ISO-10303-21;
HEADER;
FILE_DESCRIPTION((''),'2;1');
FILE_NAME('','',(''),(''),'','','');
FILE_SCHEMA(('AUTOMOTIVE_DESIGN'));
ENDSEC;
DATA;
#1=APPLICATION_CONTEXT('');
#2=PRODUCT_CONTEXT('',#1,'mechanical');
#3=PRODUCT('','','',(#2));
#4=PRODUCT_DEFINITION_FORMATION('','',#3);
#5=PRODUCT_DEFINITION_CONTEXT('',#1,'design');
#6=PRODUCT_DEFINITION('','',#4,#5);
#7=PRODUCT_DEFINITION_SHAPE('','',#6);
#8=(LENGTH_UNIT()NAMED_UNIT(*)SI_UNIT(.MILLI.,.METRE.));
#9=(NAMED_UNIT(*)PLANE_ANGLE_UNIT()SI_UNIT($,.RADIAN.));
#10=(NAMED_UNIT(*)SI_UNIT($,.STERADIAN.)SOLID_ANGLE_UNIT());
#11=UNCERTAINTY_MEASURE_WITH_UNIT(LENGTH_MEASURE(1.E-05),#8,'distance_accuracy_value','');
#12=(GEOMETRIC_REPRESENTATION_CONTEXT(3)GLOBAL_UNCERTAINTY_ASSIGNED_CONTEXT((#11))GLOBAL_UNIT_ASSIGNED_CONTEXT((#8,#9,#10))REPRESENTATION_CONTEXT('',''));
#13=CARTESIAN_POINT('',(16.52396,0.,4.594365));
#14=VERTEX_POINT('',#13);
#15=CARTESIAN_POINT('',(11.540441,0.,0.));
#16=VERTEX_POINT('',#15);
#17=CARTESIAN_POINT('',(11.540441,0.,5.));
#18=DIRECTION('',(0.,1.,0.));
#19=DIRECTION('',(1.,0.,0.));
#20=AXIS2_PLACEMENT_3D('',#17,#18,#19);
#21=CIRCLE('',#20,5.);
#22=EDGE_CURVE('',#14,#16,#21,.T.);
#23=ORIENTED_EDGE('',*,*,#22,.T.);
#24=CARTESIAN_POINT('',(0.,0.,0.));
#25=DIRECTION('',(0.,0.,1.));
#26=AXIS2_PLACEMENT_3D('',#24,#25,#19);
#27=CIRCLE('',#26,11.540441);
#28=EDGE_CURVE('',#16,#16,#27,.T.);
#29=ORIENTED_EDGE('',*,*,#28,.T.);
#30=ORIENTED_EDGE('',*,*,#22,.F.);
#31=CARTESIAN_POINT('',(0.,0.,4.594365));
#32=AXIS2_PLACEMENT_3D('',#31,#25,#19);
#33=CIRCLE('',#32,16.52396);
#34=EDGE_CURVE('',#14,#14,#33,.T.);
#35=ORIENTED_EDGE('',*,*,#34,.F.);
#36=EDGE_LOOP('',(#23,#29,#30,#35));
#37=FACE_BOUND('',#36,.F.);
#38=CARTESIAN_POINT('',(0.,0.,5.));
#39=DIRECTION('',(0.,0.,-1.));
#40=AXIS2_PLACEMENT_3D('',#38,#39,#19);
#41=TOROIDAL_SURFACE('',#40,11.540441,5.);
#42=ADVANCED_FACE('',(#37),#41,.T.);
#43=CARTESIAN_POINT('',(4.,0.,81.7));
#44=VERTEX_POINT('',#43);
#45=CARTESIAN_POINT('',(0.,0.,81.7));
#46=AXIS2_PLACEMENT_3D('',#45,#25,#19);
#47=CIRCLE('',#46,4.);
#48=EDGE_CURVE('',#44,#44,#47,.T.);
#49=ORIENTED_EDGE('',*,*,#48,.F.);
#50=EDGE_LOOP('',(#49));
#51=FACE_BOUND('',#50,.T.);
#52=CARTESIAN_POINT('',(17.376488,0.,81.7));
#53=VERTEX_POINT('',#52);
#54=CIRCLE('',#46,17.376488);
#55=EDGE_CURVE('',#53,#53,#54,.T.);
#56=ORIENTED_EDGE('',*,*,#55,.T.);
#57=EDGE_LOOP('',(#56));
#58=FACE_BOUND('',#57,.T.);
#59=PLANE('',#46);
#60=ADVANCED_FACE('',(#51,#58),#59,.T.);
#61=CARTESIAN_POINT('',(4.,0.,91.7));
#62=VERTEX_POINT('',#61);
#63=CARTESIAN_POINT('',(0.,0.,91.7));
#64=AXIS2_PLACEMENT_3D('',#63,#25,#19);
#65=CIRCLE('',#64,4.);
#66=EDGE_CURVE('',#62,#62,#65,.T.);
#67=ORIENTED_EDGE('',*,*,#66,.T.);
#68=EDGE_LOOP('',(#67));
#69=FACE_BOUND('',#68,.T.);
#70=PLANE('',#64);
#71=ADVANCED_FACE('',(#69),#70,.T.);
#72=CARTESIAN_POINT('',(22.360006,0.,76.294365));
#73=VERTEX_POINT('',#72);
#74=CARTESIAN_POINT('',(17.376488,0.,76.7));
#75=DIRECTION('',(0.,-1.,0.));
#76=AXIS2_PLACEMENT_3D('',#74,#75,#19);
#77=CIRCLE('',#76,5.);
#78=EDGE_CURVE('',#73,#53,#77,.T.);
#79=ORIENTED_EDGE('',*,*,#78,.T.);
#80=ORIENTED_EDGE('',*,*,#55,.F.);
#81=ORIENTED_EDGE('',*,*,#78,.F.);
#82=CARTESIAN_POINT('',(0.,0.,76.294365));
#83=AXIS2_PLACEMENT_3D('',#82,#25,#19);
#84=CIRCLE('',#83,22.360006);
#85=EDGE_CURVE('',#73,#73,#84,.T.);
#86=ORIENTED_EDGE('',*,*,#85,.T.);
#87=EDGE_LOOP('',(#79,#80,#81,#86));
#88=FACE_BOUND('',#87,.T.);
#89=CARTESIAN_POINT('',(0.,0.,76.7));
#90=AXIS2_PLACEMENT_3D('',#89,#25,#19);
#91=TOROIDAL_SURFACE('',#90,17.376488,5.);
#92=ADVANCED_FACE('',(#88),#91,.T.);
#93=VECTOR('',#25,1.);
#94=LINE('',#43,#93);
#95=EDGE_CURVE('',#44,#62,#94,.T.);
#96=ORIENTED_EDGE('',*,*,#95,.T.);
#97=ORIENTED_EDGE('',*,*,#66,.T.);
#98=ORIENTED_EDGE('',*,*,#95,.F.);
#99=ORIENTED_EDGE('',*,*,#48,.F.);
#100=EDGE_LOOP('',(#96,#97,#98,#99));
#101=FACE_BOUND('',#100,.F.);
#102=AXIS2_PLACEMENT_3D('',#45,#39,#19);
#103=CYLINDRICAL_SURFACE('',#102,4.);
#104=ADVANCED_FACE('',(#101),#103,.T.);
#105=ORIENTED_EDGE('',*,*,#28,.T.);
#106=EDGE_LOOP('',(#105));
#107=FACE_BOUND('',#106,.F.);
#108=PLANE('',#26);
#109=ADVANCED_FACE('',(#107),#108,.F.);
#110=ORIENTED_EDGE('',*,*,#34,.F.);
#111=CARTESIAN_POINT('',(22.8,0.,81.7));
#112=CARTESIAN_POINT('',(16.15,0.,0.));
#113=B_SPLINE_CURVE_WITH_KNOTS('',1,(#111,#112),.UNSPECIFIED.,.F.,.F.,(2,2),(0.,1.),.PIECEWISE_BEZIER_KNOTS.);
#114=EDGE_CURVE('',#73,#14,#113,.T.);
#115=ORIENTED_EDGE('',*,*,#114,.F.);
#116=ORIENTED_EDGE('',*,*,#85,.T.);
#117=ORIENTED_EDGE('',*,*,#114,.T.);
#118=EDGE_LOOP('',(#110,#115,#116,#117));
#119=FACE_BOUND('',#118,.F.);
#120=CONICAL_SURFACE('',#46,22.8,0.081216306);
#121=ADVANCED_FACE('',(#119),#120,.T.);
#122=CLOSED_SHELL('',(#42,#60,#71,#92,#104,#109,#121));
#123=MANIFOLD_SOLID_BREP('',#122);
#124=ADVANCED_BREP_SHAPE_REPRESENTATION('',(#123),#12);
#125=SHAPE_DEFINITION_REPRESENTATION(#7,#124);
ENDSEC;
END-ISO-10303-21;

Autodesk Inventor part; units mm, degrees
ref_plane "YZ Plane" through (0, 0, 0) normal (1, 0, 0) x (0, 1, 0)
ref_plane "XZ Plane" through (0, 0, 0) normal (0, 1, 0) x (-1, 0, 0)
sketch "スケッチ1" plane through (0, 0, 0) normal (0, 0, 1) x (1, 0, 0)
  circle A0 centre (0, 0) radius 16.15
  dimension "d0" = 32.3
ref_plane "作業平面2" through (0, 0, 81.7) normal (0, 0, 1) x (1, 0, 0)
sketch "スケッチ3" plane through (0, 0, 81.7) normal (0, 0, 1) x (1, 0, 0)
  circle A0 centre (0, 0) radius 22.8
  dimension "d4" = 45.6
loft "ロフト1" add profiles "スケッチ3", "スケッチ1"
fillet "フィレット1" radius 5 2 edges at (-22.8, 0, 81.7) (-16.15, 0, 0)
sketch "スケッチ4" plane through (0, 0, 81.7) normal (0, 0, 1) x (1, 0, 0)
  circle A0 centre (0, 0) radius 4
  dimension "d10" = 8
extrude "押し出し1" add sketch "スケッチ4" along normal blind 10
properties part number "簡易ピーマン"
